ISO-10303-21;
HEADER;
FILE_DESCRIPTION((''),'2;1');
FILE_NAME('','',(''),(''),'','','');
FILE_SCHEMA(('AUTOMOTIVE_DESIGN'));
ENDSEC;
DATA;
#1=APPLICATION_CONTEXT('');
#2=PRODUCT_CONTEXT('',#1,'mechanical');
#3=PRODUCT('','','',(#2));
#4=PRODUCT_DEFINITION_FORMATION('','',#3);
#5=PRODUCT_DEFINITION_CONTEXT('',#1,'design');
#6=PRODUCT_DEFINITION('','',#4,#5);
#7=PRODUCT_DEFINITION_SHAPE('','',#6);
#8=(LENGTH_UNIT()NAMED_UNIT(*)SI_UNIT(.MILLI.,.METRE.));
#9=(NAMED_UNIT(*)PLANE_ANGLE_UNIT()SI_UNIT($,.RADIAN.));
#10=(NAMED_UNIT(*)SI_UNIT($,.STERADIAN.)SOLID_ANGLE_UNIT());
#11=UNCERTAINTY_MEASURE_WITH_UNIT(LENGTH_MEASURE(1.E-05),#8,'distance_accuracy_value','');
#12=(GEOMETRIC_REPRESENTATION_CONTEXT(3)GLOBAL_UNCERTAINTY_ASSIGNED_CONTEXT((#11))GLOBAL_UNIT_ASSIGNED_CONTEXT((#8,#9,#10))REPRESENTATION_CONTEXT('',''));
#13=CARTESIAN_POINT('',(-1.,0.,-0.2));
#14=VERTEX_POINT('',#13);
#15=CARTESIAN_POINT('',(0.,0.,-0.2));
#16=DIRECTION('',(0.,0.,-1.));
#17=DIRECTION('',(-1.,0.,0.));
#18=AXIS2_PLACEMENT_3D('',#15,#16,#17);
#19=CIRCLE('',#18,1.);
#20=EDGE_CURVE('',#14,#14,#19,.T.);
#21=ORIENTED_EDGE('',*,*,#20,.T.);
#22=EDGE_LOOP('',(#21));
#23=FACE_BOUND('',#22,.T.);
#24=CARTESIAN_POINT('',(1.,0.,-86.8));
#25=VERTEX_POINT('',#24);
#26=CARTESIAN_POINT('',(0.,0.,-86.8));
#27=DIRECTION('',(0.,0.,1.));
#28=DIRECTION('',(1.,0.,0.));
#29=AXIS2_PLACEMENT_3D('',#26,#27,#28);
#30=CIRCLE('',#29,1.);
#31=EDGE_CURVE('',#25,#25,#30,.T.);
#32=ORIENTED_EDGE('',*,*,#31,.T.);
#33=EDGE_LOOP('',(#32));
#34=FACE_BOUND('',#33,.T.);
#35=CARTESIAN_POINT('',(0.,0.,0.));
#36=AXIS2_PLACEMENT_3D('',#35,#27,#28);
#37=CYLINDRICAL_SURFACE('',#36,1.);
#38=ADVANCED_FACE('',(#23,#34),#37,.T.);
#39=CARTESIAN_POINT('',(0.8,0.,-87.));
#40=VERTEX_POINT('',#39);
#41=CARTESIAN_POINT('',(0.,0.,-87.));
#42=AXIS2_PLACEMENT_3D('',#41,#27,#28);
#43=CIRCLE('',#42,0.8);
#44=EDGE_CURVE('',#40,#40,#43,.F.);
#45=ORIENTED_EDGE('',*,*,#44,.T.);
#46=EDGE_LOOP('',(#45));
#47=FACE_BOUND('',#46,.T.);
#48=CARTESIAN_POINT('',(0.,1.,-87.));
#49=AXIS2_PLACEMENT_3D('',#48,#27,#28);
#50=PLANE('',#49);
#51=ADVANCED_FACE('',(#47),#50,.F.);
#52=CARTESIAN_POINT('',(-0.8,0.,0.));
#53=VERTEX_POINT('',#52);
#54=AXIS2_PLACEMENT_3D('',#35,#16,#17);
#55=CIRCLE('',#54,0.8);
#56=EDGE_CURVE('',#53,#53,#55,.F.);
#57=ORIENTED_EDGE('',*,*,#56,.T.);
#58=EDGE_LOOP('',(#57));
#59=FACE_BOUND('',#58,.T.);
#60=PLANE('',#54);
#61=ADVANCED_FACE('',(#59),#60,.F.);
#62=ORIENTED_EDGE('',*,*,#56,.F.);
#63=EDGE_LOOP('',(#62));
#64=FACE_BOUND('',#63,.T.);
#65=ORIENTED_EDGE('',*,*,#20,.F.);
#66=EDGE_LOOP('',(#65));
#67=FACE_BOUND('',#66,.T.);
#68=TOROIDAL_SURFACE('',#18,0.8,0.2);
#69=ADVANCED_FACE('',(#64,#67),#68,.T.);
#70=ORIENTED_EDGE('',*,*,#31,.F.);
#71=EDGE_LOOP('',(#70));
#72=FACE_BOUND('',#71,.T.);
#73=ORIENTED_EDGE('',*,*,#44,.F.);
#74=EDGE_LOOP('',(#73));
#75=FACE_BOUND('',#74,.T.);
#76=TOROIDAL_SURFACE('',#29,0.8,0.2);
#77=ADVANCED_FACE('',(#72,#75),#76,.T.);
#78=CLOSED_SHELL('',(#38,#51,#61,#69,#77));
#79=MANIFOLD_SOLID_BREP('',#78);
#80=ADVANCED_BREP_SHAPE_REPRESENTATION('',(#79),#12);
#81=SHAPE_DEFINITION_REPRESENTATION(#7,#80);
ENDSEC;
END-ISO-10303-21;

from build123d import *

# Parameters (mm, degrees)
ESQUISSE1_W = 87
ESQUISSE1_H = 1
CONG_1_R    = 0.2
CONG_2_R    = 0.2


with BuildPart() as part:
    # Esquisse1 → Révolution1 (revolve)
    with BuildSketch(Plane(origin=(0, 0, 0), x_dir=(0, 0, -1), z_dir=(1, 0, 0)), mode=Mode.PRIVATE) as r_volution1_sk:
        with Locations((43.5, 0.5)):
            Rectangle(ESQUISSE1_W, ESQUISSE1_H)
    revolve(r_volution1_sk.sketch.rotate(Axis((0, 0, 0), (0, 0, -1)), 90), axis=Axis((0, 0, 0), (0, 0, -1)))

    # Congé1
    cong_1_edges = [part.edges().sort_by_distance(p)[0] for p in [
        (-1, 0, -87),
    ]]
    fillet(cong_1_edges, radius=CONG_1_R)

    # Congé2
    cong_2_edges = [part.edges().sort_by_distance(p)[0] for p in [
        (-1, 0, 0),
    ]]
    fillet(cong_2_edges, radius=CONG_2_R)


solid = part.part
